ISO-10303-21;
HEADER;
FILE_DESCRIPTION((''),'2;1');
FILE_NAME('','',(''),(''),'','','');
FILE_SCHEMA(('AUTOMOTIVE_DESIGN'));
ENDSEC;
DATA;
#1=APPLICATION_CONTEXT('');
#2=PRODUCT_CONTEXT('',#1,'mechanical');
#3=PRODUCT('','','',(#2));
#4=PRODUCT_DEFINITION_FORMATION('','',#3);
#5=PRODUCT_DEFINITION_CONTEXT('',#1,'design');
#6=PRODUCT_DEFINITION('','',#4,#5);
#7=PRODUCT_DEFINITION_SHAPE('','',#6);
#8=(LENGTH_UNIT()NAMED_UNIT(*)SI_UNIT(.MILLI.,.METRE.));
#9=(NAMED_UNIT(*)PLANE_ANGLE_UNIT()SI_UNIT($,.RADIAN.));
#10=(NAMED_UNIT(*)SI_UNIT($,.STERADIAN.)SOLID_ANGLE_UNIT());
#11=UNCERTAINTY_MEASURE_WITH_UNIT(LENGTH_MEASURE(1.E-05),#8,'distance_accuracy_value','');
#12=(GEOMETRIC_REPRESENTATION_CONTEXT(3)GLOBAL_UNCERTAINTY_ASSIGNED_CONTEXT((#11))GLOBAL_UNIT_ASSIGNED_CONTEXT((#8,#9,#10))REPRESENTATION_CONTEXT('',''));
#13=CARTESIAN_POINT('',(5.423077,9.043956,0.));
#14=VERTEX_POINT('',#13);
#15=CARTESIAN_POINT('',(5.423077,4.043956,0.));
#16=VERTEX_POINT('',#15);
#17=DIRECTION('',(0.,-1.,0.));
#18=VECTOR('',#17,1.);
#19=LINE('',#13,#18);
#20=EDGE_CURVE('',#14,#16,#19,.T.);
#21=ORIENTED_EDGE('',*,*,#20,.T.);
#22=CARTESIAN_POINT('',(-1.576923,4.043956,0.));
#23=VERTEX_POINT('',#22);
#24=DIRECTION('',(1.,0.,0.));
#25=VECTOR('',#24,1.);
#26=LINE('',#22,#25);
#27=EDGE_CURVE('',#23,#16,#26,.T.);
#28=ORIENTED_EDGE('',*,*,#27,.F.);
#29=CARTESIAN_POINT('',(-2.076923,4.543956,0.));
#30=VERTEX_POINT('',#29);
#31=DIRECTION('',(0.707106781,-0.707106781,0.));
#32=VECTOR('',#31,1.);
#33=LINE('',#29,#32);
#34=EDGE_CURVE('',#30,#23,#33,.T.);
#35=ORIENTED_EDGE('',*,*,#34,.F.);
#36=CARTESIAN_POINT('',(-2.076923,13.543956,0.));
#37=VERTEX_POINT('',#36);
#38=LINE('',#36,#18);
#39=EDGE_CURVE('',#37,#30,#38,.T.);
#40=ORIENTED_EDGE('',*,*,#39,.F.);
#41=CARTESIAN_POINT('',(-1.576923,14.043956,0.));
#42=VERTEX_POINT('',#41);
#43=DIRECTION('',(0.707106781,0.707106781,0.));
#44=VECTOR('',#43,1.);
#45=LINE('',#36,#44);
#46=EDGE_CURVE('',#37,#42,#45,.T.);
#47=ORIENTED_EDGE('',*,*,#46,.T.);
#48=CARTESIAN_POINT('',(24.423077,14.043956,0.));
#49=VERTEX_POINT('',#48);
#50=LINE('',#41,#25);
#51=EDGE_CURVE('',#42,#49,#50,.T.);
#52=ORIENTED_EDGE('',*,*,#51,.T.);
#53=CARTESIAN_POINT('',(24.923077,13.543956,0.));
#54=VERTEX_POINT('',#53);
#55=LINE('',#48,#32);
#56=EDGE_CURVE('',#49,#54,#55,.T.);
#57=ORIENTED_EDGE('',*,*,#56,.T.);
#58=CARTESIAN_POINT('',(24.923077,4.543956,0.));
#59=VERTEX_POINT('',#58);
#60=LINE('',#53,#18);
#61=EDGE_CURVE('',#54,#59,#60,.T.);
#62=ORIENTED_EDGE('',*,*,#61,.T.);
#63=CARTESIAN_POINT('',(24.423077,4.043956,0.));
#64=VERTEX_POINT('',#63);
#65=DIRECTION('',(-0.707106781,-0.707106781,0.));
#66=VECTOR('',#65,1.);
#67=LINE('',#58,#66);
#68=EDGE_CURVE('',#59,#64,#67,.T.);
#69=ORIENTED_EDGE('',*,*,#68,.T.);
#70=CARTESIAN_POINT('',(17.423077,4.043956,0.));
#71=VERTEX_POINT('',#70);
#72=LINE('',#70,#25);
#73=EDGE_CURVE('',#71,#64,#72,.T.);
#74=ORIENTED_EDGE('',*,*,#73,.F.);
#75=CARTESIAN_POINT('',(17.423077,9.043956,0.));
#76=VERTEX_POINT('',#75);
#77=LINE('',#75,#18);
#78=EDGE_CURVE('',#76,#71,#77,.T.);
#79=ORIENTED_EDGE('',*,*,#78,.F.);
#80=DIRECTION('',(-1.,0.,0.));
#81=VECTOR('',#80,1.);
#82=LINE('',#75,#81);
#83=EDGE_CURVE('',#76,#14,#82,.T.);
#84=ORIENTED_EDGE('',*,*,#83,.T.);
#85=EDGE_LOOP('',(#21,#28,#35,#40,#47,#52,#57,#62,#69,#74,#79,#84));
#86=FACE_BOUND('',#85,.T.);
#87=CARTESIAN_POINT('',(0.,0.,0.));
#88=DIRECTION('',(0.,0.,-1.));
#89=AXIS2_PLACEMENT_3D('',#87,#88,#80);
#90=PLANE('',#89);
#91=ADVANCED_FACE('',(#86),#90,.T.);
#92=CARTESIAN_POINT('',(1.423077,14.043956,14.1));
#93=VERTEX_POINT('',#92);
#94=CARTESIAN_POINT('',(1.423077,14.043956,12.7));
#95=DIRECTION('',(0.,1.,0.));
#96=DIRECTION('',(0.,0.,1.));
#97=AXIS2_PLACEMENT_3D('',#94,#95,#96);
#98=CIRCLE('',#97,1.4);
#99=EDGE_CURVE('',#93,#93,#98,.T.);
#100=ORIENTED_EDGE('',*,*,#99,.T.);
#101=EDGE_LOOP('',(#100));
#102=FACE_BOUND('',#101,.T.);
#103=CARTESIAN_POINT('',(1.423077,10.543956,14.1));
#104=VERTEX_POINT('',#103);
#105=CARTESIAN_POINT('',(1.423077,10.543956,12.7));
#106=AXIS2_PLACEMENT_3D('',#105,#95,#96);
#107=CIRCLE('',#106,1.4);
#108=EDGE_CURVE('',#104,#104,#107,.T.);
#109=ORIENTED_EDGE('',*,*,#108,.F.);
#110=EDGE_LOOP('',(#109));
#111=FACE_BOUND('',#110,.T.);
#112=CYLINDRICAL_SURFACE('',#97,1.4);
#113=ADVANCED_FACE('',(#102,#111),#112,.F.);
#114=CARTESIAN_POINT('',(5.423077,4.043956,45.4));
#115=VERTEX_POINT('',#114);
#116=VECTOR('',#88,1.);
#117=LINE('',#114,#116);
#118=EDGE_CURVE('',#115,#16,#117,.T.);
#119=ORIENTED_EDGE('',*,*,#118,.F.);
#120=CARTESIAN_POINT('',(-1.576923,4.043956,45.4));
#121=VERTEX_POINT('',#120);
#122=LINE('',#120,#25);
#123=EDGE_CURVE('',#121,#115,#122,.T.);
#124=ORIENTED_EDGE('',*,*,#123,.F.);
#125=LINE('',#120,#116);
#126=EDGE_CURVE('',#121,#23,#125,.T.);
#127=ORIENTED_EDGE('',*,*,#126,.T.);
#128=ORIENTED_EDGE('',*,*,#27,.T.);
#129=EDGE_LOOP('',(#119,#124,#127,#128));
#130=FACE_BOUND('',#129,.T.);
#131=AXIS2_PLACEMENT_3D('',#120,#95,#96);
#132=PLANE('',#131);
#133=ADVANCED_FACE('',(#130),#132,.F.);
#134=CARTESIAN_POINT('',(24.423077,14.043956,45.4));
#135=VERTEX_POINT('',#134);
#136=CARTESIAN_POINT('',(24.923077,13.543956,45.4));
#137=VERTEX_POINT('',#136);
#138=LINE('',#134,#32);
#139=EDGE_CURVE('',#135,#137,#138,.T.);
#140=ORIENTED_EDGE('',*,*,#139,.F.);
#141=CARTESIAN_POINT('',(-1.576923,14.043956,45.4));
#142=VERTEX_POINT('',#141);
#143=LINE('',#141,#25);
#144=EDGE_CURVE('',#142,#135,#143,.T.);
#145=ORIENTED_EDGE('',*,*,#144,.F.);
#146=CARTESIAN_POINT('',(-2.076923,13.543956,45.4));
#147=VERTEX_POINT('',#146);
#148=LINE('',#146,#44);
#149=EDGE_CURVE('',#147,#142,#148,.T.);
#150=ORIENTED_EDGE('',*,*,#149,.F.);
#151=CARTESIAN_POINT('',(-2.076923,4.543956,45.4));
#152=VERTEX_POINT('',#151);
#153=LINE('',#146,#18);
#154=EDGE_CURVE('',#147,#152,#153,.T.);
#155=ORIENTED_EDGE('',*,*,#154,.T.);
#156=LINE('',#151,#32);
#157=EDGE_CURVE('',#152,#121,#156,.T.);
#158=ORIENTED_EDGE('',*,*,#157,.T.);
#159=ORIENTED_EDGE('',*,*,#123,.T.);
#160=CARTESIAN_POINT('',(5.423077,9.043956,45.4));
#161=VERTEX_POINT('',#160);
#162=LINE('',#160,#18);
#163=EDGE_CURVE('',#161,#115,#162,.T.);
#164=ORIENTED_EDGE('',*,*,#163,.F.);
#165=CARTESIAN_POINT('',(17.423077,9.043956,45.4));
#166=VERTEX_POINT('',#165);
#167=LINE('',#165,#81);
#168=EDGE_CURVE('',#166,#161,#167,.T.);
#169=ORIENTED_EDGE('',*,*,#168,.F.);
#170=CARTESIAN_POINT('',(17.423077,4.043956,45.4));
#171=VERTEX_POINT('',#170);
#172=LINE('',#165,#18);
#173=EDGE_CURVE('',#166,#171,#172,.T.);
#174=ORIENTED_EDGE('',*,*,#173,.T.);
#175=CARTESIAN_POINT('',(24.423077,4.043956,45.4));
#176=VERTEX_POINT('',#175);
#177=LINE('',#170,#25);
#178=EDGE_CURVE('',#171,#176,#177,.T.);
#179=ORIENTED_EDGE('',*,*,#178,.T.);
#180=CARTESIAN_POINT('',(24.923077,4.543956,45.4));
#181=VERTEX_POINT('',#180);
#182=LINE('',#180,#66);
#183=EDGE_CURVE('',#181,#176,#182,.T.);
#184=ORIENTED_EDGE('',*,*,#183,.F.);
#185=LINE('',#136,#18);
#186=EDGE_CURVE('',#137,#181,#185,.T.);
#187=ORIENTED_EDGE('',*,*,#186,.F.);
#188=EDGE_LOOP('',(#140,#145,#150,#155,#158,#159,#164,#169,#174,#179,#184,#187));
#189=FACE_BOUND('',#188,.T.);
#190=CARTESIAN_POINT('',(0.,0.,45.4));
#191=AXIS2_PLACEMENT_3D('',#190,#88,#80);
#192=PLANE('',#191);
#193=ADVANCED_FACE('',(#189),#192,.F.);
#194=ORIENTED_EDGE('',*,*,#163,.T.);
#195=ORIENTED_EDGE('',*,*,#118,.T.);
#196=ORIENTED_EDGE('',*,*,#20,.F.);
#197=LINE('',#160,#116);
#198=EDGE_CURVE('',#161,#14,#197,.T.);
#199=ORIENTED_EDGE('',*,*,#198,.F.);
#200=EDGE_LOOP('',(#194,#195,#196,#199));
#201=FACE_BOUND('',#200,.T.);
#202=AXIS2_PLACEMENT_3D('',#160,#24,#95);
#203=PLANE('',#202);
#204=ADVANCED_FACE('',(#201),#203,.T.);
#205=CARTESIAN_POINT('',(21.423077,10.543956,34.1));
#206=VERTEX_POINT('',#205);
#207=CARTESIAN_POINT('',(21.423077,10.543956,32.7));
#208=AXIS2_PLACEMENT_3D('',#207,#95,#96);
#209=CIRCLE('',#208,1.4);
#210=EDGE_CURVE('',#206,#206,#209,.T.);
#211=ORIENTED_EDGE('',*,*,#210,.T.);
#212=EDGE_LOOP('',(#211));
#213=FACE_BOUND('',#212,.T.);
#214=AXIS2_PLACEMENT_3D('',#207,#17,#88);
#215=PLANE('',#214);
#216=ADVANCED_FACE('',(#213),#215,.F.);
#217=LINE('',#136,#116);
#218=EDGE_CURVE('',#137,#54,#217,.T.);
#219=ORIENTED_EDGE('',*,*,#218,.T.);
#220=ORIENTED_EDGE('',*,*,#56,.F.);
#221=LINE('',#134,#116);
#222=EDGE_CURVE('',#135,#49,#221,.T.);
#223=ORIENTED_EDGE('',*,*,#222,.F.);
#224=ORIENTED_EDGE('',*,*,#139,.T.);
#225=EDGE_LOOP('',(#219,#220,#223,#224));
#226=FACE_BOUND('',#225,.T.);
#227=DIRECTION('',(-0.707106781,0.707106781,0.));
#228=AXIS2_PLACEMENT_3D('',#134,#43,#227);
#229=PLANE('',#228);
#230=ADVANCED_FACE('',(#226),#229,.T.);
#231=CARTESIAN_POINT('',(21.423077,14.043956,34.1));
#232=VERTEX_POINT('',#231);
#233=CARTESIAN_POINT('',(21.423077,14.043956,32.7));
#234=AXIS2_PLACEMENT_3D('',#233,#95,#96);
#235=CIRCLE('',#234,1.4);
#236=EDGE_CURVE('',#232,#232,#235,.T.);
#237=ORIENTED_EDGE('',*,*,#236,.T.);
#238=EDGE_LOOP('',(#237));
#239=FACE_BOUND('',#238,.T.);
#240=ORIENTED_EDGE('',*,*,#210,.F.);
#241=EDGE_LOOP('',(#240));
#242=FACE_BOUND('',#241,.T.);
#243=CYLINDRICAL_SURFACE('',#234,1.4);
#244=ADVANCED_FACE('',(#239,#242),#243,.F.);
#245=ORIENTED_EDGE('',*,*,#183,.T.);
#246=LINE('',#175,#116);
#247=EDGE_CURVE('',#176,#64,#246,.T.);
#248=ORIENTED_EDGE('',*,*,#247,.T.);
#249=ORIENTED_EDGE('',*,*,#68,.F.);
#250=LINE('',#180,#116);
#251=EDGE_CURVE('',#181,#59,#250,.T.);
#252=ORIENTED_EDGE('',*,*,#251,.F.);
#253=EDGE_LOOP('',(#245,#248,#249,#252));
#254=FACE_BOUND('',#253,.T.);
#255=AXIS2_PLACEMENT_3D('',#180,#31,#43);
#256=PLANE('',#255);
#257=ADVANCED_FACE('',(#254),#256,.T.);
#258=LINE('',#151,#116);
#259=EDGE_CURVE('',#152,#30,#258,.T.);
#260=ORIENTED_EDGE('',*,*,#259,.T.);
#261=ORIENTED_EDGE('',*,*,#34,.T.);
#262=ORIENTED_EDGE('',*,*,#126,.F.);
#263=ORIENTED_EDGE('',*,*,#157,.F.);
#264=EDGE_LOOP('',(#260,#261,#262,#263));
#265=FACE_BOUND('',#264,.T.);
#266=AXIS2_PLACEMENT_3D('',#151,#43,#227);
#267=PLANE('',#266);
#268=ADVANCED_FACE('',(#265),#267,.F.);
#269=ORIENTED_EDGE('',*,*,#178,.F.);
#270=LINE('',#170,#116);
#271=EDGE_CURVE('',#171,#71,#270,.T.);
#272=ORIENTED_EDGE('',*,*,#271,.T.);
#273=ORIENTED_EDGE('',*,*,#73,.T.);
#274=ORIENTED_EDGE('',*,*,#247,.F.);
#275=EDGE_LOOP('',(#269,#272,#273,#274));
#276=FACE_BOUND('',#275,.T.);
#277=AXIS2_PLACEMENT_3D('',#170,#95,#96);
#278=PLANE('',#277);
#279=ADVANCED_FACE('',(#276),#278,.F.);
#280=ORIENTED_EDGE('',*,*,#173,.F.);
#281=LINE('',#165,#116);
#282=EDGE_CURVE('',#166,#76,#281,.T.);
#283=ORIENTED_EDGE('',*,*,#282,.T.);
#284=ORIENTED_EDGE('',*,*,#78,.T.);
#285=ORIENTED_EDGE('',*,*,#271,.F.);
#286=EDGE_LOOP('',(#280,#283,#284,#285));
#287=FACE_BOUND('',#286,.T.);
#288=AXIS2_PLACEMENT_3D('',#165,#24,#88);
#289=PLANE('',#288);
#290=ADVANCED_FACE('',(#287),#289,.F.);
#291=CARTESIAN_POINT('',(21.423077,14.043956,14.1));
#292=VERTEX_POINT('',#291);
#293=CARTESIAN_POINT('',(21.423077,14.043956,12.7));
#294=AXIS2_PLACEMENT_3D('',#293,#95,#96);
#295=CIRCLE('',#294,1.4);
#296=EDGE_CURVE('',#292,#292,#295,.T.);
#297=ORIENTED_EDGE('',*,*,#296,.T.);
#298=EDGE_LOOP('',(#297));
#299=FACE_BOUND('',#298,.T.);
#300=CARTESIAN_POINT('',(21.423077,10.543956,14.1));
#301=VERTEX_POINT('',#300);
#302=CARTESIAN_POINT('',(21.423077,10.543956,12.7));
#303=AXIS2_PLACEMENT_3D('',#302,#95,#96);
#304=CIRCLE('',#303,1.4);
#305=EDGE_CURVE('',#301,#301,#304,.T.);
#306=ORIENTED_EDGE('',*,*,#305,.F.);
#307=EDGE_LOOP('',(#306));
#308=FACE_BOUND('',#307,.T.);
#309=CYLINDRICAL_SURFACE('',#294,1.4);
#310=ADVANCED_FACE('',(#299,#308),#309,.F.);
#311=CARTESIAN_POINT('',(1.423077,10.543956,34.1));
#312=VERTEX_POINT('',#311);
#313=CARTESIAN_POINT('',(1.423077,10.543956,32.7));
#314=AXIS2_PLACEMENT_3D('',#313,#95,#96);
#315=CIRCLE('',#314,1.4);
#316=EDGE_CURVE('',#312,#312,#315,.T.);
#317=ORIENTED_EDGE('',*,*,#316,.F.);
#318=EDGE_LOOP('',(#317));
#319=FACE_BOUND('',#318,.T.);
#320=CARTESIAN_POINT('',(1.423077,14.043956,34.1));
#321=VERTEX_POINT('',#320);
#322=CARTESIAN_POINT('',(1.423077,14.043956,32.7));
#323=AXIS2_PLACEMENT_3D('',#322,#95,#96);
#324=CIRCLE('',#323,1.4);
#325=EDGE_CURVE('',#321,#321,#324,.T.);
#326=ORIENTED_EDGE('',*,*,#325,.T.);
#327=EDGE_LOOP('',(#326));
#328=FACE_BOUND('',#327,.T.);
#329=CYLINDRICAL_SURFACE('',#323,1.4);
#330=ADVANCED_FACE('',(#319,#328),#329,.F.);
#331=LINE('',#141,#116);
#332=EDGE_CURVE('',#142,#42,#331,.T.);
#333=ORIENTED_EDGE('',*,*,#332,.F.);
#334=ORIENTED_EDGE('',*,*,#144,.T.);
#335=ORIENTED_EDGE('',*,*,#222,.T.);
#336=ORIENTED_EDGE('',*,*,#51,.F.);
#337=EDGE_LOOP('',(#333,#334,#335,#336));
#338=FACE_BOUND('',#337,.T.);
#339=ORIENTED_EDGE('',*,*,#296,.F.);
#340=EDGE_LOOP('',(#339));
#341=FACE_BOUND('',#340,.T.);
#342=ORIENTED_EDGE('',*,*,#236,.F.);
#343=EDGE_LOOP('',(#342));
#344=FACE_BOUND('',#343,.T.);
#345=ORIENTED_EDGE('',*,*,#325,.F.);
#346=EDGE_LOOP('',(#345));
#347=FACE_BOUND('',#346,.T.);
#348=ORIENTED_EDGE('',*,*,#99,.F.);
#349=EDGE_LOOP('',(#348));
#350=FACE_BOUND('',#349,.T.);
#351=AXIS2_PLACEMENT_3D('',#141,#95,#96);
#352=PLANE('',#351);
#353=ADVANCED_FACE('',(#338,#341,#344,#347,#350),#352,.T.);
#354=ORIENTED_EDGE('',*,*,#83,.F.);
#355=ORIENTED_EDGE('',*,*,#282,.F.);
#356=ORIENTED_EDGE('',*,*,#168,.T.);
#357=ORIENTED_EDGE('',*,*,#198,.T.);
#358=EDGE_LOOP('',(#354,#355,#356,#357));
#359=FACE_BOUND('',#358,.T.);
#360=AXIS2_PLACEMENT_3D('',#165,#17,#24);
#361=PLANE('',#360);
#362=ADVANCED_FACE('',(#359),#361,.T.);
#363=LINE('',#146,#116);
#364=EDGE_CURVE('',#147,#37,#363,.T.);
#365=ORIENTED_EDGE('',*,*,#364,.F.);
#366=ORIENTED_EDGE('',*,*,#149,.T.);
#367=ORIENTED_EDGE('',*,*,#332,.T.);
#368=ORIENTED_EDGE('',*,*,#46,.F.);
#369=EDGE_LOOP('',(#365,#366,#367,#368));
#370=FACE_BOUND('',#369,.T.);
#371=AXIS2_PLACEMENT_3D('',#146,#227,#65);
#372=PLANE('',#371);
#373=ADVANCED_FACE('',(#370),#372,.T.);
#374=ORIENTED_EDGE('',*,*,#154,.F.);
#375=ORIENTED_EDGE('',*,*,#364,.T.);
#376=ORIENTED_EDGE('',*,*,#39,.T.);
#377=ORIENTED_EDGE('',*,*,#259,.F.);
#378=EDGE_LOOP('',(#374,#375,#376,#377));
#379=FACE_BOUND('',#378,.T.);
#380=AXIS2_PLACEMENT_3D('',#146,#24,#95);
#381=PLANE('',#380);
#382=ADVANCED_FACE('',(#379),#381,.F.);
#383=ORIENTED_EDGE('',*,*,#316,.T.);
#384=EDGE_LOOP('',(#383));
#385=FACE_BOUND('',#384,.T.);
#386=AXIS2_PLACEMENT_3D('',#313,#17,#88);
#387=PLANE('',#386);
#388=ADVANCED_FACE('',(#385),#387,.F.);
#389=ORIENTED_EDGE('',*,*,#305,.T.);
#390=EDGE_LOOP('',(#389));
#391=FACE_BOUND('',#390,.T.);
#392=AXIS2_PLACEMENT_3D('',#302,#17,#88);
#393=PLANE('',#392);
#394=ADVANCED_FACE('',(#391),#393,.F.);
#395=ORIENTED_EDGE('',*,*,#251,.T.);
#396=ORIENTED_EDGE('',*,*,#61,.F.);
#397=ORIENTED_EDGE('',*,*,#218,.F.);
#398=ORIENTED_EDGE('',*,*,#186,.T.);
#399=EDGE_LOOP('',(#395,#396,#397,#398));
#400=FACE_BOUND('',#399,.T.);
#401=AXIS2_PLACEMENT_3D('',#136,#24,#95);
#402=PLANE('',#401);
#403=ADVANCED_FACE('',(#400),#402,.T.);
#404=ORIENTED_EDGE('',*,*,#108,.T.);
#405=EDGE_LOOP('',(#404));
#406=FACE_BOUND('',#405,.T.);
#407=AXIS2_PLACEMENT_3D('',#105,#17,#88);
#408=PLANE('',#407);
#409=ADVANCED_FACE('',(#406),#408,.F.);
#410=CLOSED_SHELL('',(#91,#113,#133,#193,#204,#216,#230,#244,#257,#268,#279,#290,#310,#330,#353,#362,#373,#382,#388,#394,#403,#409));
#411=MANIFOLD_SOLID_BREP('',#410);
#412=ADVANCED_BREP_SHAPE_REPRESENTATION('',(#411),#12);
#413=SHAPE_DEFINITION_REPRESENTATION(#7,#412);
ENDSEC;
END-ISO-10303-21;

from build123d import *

# Parameters (mm, degrees)
EXTRUDE_1_DEPTH     = 45.4
HOLE_WIZARD_2_D     = 2.8
HOLE_WIZARD_2_DEPTH = 3.5


with BuildPart() as part:
    # 草图1 → 凸台-拉伸1 (new body)
    with BuildSketch(Plane.XY):
        Polygon((-1.576923077, 14.043956044), (24.423076923, 14.043956044), (24.923076923, 13.543956044), (24.923076923, 4.543956044), (24.423076923, 4.043956044), (17.423076923, 4.043956044), (17.423076923, 9.043956044), (5.423076923, 9.043956044), (5.423076923, 4.043956044), (-1.576923077, 4.043956044), (-2.076923077, 4.543956044), (-2.076923077, 13.543956044), align=None)
    extrude(amount=EXTRUDE_1_DEPTH)

    # 孔2
    with Locations(Plane(origin=(21.423076923, 14.043956044, 32.7), x_dir=(0, 0, 1), z_dir=(0, 1, 0))):
        with Locations((0, 0), (-20, 0), (-20, -20), (0, -20)):
            Hole(HOLE_WIZARD_2_D / 2, depth=HOLE_WIZARD_2_DEPTH)


solid = part.part
